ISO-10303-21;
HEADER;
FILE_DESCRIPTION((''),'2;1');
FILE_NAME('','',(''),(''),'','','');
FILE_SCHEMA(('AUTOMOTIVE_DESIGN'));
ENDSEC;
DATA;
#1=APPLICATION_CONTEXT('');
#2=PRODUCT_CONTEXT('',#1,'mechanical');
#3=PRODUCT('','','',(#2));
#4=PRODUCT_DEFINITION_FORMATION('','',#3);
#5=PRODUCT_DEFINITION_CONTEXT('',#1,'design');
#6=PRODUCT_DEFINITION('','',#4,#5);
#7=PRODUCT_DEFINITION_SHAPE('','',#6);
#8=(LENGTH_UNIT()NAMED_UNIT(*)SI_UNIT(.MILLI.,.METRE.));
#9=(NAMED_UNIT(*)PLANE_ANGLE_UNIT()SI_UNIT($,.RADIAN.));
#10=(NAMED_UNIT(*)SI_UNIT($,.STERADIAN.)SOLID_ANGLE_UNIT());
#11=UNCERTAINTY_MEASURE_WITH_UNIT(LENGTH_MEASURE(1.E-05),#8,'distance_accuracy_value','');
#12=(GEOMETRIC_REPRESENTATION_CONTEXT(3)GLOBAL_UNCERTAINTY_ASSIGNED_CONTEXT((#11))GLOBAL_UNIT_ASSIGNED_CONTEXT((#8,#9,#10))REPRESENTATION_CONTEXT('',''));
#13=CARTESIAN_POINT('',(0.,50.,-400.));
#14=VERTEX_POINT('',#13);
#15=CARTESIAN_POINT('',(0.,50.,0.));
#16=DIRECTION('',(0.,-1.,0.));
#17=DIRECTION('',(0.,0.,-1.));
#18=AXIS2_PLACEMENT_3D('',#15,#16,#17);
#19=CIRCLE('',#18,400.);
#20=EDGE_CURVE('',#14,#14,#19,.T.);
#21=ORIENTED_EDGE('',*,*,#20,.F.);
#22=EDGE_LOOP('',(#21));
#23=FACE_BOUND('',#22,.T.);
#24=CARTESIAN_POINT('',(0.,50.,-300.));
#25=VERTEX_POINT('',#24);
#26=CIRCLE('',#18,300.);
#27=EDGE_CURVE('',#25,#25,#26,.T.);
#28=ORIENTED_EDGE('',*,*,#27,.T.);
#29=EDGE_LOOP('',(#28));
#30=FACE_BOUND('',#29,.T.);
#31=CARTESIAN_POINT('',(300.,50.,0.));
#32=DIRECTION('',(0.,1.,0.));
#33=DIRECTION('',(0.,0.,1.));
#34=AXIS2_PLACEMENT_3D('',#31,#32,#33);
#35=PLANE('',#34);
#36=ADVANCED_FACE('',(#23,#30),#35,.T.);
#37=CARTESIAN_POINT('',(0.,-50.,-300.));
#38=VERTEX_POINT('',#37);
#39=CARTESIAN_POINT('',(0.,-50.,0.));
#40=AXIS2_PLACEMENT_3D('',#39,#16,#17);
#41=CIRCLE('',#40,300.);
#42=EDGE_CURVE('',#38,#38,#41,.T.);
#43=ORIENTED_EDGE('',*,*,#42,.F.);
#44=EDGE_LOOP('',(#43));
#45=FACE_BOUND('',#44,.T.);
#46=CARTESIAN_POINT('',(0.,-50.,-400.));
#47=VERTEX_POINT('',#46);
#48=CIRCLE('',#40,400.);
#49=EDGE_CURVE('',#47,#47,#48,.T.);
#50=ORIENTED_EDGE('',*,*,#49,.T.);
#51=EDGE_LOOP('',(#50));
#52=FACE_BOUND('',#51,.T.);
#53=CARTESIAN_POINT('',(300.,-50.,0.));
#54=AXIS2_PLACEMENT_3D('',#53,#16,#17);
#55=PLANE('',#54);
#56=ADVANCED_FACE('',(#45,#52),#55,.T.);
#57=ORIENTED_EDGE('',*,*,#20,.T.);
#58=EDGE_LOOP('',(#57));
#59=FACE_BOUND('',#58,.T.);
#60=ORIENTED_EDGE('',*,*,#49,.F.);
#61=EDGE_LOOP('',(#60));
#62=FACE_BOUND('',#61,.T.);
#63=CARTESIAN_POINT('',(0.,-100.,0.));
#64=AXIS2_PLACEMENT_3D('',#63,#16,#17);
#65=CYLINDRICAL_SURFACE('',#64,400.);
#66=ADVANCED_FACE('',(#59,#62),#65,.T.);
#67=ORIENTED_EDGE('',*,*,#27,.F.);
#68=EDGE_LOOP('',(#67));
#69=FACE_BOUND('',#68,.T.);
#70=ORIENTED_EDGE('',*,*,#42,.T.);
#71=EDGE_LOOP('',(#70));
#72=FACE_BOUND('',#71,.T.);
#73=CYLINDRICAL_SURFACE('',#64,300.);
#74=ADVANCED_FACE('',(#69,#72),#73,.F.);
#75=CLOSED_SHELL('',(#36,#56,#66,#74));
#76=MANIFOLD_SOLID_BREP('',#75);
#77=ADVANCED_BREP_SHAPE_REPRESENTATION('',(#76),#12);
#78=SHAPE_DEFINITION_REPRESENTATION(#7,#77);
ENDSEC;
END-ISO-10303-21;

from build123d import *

# Parameters (mm, degrees)
SKETCH_1_W = 100
SKETCH_1_H = 100


with BuildPart() as part:
    # 草图1 → 旋转1 (revolve)
    with BuildSketch(Plane.XY, mode=Mode.PRIVATE) as revolve_1_sk:
        with Locations((350, 0)):
            Rectangle(SKETCH_1_W, SKETCH_1_H)
    revolve(revolve_1_sk.sketch.rotate(Axis((0, -100, 0), (0, 1, 0)), 90), axis=Axis((0, -100, 0), (0, 1, 0)))


solid = part.part
